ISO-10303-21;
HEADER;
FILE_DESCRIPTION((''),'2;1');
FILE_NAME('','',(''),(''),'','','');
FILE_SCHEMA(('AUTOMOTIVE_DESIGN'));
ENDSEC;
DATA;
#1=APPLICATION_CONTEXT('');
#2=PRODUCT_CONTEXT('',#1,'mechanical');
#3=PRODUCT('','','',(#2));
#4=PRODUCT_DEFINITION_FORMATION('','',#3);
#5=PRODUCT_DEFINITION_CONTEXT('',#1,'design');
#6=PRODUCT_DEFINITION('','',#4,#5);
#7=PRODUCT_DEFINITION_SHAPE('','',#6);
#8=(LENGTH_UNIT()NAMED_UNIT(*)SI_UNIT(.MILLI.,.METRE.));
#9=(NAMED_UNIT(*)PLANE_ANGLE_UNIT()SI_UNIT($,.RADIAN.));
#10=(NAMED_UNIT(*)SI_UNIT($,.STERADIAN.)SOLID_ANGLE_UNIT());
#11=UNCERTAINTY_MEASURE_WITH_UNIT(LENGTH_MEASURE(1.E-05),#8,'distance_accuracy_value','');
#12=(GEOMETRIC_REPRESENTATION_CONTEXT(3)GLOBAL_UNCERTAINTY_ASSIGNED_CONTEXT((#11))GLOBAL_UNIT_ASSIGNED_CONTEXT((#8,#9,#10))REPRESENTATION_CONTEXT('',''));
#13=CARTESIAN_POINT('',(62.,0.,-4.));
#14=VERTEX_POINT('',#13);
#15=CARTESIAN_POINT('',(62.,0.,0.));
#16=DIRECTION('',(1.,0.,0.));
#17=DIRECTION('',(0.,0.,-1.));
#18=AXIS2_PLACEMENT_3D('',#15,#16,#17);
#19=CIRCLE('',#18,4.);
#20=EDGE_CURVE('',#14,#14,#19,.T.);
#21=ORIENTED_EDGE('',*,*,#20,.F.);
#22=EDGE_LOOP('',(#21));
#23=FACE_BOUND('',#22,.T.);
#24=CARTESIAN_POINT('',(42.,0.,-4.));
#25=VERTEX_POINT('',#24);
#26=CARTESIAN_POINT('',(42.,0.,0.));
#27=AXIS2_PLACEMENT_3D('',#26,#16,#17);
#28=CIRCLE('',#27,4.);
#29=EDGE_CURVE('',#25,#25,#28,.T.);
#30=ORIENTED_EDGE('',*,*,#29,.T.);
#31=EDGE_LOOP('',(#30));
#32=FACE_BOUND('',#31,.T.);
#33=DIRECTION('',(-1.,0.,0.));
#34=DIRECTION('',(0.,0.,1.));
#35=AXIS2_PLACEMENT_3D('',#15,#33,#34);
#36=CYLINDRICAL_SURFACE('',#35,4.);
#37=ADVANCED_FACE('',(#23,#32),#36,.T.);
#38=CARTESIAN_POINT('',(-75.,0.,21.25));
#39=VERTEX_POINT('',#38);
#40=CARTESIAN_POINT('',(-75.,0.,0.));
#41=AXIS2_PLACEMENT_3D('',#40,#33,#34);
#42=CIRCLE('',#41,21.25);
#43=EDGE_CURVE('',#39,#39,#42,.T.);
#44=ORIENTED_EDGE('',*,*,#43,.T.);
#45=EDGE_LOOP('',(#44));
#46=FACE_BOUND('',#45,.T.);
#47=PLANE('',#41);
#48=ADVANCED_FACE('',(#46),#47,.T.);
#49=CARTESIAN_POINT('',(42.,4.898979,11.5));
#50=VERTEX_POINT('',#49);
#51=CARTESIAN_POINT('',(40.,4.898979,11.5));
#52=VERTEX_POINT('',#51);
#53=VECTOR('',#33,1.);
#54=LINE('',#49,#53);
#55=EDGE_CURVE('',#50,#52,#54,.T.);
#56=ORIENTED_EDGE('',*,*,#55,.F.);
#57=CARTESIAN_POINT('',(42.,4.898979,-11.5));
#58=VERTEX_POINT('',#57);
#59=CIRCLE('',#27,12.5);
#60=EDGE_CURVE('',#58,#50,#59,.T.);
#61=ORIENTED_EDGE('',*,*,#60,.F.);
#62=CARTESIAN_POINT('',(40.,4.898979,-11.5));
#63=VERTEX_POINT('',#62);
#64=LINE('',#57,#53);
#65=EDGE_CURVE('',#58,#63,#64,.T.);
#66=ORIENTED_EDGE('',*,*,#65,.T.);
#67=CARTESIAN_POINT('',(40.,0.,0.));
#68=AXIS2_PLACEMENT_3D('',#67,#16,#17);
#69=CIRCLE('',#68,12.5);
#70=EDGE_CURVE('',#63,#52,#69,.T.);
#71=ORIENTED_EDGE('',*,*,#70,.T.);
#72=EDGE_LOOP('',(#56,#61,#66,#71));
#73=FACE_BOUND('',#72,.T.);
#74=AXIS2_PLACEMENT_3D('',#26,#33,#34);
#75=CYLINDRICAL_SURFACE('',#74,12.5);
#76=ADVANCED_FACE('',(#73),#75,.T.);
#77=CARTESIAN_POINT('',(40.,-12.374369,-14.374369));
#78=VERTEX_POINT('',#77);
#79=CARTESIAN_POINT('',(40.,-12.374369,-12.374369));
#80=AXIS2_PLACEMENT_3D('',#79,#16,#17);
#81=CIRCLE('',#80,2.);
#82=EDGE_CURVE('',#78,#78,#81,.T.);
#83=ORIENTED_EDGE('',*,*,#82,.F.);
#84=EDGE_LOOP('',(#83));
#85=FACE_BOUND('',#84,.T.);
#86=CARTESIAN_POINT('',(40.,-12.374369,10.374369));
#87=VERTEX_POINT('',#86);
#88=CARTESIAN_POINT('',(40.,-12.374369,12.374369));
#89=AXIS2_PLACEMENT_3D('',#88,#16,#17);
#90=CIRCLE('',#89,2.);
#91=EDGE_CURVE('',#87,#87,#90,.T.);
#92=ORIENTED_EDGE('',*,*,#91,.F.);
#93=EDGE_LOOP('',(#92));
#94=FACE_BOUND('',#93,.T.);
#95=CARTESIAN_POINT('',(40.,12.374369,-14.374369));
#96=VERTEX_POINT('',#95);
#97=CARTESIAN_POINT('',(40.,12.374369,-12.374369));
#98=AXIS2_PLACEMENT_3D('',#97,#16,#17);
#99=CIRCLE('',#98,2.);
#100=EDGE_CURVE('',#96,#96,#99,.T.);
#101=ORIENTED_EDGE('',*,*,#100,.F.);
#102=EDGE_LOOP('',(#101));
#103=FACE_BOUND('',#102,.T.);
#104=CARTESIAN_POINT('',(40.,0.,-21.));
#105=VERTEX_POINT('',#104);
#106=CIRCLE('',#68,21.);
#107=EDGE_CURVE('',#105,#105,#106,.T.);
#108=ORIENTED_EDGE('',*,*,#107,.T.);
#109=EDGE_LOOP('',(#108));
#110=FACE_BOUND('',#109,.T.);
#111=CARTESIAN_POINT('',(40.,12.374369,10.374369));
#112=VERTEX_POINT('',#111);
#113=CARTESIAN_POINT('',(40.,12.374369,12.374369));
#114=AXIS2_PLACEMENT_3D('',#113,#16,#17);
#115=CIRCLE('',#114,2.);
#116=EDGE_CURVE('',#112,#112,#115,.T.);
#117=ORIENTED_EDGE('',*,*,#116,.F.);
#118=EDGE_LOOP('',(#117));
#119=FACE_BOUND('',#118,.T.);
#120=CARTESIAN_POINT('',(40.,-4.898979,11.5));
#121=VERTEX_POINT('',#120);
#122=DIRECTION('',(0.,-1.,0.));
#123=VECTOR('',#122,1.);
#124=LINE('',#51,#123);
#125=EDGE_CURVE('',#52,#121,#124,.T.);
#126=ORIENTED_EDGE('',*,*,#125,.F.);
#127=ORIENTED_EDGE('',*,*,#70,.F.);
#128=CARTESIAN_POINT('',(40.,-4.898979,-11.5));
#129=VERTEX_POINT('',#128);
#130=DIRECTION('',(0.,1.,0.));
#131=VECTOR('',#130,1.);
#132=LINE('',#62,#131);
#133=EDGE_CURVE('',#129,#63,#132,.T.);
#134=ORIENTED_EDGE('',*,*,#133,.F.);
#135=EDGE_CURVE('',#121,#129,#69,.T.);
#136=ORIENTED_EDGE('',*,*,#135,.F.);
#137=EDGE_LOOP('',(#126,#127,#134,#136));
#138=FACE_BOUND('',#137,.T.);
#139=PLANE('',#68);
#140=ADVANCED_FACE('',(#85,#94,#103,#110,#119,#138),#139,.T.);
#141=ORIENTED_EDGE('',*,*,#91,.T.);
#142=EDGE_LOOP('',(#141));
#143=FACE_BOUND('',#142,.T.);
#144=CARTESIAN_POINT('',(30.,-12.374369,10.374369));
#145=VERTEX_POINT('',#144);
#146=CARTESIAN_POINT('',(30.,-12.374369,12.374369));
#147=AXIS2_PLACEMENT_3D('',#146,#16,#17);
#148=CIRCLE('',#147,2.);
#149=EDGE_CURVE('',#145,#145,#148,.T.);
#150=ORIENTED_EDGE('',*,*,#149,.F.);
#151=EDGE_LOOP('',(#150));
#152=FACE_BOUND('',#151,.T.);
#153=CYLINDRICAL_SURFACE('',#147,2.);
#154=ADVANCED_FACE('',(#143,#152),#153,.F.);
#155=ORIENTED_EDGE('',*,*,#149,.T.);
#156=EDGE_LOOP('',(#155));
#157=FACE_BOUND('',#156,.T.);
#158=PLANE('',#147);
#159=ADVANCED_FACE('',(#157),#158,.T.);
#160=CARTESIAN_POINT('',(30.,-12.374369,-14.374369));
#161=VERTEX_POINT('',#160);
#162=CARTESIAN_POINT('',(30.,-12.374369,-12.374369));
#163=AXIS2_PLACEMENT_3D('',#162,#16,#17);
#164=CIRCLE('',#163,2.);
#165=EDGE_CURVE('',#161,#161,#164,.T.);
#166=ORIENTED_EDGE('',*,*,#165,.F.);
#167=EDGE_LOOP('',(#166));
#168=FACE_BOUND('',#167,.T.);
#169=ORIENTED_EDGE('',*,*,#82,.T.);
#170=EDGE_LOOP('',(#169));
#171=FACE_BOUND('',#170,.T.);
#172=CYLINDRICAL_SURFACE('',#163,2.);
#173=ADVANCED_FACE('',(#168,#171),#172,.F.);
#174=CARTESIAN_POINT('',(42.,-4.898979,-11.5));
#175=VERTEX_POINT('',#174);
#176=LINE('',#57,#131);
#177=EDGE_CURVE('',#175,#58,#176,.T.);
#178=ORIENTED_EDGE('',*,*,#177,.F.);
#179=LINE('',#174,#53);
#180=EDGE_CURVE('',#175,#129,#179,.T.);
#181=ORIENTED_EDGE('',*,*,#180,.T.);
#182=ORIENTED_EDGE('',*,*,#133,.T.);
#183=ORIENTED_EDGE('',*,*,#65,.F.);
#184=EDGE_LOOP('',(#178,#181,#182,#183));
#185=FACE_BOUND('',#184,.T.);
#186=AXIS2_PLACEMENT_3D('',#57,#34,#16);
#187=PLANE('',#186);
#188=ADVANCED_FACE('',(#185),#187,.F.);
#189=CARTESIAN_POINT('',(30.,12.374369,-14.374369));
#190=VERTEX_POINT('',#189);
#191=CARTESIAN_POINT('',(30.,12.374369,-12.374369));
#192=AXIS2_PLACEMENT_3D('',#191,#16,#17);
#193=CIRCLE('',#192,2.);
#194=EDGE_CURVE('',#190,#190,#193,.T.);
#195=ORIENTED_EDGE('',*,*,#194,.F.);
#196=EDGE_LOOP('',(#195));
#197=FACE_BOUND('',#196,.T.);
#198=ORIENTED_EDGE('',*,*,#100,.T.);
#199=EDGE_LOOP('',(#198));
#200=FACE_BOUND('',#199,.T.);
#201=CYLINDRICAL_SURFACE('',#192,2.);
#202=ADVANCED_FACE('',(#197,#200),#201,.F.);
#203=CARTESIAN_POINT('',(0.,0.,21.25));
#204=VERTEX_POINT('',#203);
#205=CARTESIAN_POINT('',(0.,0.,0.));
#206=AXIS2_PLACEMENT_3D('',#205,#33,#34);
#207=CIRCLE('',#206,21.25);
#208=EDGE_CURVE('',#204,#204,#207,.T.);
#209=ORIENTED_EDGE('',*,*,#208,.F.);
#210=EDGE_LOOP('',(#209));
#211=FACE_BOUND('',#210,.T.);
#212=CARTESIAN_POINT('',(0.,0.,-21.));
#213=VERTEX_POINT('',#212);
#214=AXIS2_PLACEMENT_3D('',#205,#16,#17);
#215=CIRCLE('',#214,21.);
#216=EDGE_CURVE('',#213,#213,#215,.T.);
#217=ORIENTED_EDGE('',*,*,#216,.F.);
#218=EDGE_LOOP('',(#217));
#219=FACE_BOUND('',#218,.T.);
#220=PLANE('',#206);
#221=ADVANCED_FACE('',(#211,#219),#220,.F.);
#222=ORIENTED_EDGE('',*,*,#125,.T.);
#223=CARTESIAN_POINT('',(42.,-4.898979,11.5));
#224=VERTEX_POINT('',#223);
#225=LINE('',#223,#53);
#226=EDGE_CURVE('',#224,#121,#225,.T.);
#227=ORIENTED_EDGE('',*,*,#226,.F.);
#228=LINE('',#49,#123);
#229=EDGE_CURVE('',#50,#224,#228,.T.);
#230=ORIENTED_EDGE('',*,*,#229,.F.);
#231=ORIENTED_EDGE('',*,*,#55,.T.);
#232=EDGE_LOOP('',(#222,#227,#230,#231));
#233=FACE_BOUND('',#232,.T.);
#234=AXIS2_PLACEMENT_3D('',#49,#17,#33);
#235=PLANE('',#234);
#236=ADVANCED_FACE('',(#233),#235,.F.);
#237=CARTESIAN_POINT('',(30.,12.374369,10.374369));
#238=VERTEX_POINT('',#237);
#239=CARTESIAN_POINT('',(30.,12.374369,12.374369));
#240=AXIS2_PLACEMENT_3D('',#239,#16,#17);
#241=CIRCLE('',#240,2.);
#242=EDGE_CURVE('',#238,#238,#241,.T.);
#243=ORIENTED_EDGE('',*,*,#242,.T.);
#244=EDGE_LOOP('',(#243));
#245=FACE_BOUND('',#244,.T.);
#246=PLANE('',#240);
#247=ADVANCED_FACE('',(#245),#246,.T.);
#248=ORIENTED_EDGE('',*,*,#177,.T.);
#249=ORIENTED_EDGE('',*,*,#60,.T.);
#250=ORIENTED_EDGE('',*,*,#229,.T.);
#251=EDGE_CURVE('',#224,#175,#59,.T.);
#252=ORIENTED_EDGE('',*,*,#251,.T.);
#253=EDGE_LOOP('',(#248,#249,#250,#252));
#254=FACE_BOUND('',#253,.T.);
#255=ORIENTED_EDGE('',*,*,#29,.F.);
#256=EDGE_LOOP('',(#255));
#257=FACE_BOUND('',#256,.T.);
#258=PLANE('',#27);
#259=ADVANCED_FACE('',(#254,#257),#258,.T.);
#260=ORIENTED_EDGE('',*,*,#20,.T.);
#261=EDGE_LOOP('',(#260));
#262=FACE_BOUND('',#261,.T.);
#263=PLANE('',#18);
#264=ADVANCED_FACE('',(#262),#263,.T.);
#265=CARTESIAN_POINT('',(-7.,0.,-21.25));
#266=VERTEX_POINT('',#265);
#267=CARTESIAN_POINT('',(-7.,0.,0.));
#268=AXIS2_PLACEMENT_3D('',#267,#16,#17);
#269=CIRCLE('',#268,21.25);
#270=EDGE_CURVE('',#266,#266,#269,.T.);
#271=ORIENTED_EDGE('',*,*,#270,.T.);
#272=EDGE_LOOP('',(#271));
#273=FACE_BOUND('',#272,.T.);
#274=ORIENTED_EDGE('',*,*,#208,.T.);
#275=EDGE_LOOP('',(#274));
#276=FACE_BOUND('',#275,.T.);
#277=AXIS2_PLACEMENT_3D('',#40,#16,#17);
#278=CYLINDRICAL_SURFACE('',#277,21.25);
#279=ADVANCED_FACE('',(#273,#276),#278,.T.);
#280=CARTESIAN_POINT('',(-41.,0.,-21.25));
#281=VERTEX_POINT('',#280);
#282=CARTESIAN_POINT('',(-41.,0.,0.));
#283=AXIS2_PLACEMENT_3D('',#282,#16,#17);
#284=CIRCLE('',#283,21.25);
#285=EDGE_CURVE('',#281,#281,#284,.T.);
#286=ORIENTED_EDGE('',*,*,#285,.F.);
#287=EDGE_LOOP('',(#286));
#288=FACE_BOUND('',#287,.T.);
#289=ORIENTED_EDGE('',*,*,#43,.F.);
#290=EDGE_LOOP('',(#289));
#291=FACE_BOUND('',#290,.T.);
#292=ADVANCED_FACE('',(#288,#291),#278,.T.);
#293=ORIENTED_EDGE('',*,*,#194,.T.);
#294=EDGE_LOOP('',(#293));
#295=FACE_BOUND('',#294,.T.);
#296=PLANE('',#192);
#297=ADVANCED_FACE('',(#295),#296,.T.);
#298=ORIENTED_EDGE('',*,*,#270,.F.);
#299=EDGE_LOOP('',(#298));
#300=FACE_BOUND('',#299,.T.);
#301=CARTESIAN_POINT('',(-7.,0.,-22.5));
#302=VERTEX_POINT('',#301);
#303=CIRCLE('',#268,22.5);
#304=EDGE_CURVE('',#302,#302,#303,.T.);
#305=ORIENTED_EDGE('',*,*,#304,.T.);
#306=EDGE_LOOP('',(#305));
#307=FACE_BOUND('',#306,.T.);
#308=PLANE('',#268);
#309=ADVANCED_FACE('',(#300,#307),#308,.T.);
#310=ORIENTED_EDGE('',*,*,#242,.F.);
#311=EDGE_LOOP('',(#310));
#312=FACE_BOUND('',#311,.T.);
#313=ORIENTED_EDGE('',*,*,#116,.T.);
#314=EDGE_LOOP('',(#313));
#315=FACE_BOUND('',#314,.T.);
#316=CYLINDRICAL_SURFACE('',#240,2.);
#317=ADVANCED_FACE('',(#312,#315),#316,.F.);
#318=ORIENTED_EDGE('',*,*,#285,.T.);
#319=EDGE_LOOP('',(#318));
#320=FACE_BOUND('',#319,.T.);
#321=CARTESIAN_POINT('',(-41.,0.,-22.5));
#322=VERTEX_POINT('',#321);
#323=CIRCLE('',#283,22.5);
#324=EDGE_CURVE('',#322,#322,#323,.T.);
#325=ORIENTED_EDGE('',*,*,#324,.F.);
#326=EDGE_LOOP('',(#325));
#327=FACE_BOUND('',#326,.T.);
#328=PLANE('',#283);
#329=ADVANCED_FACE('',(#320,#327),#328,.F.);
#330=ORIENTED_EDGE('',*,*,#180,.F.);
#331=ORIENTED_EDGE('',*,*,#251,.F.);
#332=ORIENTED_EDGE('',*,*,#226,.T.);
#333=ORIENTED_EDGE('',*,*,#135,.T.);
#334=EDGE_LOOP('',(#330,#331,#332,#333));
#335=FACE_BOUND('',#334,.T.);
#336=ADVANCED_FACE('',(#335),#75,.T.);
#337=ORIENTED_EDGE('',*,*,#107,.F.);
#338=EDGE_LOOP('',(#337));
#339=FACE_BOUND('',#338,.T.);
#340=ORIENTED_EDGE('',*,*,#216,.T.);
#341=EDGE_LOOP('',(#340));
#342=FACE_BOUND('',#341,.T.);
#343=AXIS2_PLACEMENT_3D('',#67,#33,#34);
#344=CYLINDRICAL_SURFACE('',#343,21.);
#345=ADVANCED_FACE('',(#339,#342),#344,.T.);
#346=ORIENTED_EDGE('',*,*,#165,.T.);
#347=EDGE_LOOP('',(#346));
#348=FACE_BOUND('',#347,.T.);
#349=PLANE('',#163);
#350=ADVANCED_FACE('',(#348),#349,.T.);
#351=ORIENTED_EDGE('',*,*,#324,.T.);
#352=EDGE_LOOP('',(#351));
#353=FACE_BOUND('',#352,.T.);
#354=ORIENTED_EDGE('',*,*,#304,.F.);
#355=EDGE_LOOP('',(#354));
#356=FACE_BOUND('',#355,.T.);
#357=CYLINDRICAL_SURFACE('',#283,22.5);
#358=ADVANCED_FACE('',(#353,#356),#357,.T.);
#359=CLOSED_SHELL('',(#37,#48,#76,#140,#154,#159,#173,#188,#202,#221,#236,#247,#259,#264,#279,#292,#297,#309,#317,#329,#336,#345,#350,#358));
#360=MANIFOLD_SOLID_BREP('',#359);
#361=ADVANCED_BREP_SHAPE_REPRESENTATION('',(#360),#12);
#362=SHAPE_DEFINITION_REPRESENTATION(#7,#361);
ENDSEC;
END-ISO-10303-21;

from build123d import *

# Parameters (mm, degrees)
SKETCH1_R           = 21
BOSS_EXTRUDE1_DEPTH = 40
BOSS_EXTRUDE2_DEPTH = 2
SKETCH3_R           = 4
BOSS_EXTRUDE3_DEPTH = 20
SKETCH4_R           = 2
CUT_EXTRUDE1_DEPTH  = 10
SKETCH5_R           = 21.25
BOSS_EXTRUDE4_DEPTH = 75
SKETCH6_R           = 22.5
SKETCH6_R_2         = 21.25
BOSS_EXTRUDE5_DEPTH = 34


with BuildPart() as part:
    # Sketch1 → Boss-Extrude1 (new body)
    with BuildSketch(Plane(origin=(0, 0, 0), x_dir=(0, 0, -1), z_dir=(1, 0, 0))):
        Circle(SKETCH1_R)
    extrude(amount=BOSS_EXTRUDE1_DEPTH)

    # Sketch2 → Boss-Extrude2 (add)
    with BuildSketch(Plane(origin=(40, 0, 0), x_dir=(0, 0, -1), z_dir=(1, 0, 0))):
        with BuildLine():
            Line((-11.5, 4.898979486), (-11.5, -4.898979486))
            ThreePointArc((-11.5, -4.898979486), (0, -12.5), (11.5, -4.898979486))
            Line((11.5, -4.898979486), (11.5, 4.898979486))
            ThreePointArc((11.5, 4.898979486), (0, 12.5), (-11.5, 4.898979486))
        make_face()
    extrude(amount=BOSS_EXTRUDE2_DEPTH)

    # Sketch3 → Boss-Extrude3 (add)
    with BuildSketch(Plane(origin=(42, 0, 0), x_dir=(0, 0, -1), z_dir=(1, 0, 0))):
        Circle(SKETCH3_R)
    extrude(amount=BOSS_EXTRUDE3_DEPTH)

    # Sketch4 → Cut-Extrude1 (cut)
    with BuildSketch(Plane(origin=(40, 0, 0), x_dir=(0, 0, -1), z_dir=(1, 0, 0))):
        with Locations((-12.374368671, 12.374368671)):
            Circle(SKETCH4_R)
        with Locations((12.374368671, 12.374368671)):
            Circle(SKETCH4_R)
        with Locations((12.374368671, -12.374368671)):
            Circle(SKETCH4_R)
        with Locations((-12.374368671, -12.374368671)):
            Circle(SKETCH4_R)
    extrude(amount=-CUT_EXTRUDE1_DEPTH, mode=Mode.SUBTRACT)

    # Sketch5 → Boss-Extrude4 (add)
    with BuildSketch(Plane.ZY):
        Circle(SKETCH5_R)
    extrude(amount=BOSS_EXTRUDE4_DEPTH)

    # Sketch6 → Boss-Extrude5 (add)
    with BuildSketch(Plane(origin=(-7, 0, 0), x_dir=(0, 0, -1), z_dir=(1, 0, 0))):
        Circle(SKETCH6_R)
        Circle(SKETCH6_R_2, mode=Mode.SUBTRACT)
    extrude(amount=-BOSS_EXTRUDE5_DEPTH)


solid = part.part
